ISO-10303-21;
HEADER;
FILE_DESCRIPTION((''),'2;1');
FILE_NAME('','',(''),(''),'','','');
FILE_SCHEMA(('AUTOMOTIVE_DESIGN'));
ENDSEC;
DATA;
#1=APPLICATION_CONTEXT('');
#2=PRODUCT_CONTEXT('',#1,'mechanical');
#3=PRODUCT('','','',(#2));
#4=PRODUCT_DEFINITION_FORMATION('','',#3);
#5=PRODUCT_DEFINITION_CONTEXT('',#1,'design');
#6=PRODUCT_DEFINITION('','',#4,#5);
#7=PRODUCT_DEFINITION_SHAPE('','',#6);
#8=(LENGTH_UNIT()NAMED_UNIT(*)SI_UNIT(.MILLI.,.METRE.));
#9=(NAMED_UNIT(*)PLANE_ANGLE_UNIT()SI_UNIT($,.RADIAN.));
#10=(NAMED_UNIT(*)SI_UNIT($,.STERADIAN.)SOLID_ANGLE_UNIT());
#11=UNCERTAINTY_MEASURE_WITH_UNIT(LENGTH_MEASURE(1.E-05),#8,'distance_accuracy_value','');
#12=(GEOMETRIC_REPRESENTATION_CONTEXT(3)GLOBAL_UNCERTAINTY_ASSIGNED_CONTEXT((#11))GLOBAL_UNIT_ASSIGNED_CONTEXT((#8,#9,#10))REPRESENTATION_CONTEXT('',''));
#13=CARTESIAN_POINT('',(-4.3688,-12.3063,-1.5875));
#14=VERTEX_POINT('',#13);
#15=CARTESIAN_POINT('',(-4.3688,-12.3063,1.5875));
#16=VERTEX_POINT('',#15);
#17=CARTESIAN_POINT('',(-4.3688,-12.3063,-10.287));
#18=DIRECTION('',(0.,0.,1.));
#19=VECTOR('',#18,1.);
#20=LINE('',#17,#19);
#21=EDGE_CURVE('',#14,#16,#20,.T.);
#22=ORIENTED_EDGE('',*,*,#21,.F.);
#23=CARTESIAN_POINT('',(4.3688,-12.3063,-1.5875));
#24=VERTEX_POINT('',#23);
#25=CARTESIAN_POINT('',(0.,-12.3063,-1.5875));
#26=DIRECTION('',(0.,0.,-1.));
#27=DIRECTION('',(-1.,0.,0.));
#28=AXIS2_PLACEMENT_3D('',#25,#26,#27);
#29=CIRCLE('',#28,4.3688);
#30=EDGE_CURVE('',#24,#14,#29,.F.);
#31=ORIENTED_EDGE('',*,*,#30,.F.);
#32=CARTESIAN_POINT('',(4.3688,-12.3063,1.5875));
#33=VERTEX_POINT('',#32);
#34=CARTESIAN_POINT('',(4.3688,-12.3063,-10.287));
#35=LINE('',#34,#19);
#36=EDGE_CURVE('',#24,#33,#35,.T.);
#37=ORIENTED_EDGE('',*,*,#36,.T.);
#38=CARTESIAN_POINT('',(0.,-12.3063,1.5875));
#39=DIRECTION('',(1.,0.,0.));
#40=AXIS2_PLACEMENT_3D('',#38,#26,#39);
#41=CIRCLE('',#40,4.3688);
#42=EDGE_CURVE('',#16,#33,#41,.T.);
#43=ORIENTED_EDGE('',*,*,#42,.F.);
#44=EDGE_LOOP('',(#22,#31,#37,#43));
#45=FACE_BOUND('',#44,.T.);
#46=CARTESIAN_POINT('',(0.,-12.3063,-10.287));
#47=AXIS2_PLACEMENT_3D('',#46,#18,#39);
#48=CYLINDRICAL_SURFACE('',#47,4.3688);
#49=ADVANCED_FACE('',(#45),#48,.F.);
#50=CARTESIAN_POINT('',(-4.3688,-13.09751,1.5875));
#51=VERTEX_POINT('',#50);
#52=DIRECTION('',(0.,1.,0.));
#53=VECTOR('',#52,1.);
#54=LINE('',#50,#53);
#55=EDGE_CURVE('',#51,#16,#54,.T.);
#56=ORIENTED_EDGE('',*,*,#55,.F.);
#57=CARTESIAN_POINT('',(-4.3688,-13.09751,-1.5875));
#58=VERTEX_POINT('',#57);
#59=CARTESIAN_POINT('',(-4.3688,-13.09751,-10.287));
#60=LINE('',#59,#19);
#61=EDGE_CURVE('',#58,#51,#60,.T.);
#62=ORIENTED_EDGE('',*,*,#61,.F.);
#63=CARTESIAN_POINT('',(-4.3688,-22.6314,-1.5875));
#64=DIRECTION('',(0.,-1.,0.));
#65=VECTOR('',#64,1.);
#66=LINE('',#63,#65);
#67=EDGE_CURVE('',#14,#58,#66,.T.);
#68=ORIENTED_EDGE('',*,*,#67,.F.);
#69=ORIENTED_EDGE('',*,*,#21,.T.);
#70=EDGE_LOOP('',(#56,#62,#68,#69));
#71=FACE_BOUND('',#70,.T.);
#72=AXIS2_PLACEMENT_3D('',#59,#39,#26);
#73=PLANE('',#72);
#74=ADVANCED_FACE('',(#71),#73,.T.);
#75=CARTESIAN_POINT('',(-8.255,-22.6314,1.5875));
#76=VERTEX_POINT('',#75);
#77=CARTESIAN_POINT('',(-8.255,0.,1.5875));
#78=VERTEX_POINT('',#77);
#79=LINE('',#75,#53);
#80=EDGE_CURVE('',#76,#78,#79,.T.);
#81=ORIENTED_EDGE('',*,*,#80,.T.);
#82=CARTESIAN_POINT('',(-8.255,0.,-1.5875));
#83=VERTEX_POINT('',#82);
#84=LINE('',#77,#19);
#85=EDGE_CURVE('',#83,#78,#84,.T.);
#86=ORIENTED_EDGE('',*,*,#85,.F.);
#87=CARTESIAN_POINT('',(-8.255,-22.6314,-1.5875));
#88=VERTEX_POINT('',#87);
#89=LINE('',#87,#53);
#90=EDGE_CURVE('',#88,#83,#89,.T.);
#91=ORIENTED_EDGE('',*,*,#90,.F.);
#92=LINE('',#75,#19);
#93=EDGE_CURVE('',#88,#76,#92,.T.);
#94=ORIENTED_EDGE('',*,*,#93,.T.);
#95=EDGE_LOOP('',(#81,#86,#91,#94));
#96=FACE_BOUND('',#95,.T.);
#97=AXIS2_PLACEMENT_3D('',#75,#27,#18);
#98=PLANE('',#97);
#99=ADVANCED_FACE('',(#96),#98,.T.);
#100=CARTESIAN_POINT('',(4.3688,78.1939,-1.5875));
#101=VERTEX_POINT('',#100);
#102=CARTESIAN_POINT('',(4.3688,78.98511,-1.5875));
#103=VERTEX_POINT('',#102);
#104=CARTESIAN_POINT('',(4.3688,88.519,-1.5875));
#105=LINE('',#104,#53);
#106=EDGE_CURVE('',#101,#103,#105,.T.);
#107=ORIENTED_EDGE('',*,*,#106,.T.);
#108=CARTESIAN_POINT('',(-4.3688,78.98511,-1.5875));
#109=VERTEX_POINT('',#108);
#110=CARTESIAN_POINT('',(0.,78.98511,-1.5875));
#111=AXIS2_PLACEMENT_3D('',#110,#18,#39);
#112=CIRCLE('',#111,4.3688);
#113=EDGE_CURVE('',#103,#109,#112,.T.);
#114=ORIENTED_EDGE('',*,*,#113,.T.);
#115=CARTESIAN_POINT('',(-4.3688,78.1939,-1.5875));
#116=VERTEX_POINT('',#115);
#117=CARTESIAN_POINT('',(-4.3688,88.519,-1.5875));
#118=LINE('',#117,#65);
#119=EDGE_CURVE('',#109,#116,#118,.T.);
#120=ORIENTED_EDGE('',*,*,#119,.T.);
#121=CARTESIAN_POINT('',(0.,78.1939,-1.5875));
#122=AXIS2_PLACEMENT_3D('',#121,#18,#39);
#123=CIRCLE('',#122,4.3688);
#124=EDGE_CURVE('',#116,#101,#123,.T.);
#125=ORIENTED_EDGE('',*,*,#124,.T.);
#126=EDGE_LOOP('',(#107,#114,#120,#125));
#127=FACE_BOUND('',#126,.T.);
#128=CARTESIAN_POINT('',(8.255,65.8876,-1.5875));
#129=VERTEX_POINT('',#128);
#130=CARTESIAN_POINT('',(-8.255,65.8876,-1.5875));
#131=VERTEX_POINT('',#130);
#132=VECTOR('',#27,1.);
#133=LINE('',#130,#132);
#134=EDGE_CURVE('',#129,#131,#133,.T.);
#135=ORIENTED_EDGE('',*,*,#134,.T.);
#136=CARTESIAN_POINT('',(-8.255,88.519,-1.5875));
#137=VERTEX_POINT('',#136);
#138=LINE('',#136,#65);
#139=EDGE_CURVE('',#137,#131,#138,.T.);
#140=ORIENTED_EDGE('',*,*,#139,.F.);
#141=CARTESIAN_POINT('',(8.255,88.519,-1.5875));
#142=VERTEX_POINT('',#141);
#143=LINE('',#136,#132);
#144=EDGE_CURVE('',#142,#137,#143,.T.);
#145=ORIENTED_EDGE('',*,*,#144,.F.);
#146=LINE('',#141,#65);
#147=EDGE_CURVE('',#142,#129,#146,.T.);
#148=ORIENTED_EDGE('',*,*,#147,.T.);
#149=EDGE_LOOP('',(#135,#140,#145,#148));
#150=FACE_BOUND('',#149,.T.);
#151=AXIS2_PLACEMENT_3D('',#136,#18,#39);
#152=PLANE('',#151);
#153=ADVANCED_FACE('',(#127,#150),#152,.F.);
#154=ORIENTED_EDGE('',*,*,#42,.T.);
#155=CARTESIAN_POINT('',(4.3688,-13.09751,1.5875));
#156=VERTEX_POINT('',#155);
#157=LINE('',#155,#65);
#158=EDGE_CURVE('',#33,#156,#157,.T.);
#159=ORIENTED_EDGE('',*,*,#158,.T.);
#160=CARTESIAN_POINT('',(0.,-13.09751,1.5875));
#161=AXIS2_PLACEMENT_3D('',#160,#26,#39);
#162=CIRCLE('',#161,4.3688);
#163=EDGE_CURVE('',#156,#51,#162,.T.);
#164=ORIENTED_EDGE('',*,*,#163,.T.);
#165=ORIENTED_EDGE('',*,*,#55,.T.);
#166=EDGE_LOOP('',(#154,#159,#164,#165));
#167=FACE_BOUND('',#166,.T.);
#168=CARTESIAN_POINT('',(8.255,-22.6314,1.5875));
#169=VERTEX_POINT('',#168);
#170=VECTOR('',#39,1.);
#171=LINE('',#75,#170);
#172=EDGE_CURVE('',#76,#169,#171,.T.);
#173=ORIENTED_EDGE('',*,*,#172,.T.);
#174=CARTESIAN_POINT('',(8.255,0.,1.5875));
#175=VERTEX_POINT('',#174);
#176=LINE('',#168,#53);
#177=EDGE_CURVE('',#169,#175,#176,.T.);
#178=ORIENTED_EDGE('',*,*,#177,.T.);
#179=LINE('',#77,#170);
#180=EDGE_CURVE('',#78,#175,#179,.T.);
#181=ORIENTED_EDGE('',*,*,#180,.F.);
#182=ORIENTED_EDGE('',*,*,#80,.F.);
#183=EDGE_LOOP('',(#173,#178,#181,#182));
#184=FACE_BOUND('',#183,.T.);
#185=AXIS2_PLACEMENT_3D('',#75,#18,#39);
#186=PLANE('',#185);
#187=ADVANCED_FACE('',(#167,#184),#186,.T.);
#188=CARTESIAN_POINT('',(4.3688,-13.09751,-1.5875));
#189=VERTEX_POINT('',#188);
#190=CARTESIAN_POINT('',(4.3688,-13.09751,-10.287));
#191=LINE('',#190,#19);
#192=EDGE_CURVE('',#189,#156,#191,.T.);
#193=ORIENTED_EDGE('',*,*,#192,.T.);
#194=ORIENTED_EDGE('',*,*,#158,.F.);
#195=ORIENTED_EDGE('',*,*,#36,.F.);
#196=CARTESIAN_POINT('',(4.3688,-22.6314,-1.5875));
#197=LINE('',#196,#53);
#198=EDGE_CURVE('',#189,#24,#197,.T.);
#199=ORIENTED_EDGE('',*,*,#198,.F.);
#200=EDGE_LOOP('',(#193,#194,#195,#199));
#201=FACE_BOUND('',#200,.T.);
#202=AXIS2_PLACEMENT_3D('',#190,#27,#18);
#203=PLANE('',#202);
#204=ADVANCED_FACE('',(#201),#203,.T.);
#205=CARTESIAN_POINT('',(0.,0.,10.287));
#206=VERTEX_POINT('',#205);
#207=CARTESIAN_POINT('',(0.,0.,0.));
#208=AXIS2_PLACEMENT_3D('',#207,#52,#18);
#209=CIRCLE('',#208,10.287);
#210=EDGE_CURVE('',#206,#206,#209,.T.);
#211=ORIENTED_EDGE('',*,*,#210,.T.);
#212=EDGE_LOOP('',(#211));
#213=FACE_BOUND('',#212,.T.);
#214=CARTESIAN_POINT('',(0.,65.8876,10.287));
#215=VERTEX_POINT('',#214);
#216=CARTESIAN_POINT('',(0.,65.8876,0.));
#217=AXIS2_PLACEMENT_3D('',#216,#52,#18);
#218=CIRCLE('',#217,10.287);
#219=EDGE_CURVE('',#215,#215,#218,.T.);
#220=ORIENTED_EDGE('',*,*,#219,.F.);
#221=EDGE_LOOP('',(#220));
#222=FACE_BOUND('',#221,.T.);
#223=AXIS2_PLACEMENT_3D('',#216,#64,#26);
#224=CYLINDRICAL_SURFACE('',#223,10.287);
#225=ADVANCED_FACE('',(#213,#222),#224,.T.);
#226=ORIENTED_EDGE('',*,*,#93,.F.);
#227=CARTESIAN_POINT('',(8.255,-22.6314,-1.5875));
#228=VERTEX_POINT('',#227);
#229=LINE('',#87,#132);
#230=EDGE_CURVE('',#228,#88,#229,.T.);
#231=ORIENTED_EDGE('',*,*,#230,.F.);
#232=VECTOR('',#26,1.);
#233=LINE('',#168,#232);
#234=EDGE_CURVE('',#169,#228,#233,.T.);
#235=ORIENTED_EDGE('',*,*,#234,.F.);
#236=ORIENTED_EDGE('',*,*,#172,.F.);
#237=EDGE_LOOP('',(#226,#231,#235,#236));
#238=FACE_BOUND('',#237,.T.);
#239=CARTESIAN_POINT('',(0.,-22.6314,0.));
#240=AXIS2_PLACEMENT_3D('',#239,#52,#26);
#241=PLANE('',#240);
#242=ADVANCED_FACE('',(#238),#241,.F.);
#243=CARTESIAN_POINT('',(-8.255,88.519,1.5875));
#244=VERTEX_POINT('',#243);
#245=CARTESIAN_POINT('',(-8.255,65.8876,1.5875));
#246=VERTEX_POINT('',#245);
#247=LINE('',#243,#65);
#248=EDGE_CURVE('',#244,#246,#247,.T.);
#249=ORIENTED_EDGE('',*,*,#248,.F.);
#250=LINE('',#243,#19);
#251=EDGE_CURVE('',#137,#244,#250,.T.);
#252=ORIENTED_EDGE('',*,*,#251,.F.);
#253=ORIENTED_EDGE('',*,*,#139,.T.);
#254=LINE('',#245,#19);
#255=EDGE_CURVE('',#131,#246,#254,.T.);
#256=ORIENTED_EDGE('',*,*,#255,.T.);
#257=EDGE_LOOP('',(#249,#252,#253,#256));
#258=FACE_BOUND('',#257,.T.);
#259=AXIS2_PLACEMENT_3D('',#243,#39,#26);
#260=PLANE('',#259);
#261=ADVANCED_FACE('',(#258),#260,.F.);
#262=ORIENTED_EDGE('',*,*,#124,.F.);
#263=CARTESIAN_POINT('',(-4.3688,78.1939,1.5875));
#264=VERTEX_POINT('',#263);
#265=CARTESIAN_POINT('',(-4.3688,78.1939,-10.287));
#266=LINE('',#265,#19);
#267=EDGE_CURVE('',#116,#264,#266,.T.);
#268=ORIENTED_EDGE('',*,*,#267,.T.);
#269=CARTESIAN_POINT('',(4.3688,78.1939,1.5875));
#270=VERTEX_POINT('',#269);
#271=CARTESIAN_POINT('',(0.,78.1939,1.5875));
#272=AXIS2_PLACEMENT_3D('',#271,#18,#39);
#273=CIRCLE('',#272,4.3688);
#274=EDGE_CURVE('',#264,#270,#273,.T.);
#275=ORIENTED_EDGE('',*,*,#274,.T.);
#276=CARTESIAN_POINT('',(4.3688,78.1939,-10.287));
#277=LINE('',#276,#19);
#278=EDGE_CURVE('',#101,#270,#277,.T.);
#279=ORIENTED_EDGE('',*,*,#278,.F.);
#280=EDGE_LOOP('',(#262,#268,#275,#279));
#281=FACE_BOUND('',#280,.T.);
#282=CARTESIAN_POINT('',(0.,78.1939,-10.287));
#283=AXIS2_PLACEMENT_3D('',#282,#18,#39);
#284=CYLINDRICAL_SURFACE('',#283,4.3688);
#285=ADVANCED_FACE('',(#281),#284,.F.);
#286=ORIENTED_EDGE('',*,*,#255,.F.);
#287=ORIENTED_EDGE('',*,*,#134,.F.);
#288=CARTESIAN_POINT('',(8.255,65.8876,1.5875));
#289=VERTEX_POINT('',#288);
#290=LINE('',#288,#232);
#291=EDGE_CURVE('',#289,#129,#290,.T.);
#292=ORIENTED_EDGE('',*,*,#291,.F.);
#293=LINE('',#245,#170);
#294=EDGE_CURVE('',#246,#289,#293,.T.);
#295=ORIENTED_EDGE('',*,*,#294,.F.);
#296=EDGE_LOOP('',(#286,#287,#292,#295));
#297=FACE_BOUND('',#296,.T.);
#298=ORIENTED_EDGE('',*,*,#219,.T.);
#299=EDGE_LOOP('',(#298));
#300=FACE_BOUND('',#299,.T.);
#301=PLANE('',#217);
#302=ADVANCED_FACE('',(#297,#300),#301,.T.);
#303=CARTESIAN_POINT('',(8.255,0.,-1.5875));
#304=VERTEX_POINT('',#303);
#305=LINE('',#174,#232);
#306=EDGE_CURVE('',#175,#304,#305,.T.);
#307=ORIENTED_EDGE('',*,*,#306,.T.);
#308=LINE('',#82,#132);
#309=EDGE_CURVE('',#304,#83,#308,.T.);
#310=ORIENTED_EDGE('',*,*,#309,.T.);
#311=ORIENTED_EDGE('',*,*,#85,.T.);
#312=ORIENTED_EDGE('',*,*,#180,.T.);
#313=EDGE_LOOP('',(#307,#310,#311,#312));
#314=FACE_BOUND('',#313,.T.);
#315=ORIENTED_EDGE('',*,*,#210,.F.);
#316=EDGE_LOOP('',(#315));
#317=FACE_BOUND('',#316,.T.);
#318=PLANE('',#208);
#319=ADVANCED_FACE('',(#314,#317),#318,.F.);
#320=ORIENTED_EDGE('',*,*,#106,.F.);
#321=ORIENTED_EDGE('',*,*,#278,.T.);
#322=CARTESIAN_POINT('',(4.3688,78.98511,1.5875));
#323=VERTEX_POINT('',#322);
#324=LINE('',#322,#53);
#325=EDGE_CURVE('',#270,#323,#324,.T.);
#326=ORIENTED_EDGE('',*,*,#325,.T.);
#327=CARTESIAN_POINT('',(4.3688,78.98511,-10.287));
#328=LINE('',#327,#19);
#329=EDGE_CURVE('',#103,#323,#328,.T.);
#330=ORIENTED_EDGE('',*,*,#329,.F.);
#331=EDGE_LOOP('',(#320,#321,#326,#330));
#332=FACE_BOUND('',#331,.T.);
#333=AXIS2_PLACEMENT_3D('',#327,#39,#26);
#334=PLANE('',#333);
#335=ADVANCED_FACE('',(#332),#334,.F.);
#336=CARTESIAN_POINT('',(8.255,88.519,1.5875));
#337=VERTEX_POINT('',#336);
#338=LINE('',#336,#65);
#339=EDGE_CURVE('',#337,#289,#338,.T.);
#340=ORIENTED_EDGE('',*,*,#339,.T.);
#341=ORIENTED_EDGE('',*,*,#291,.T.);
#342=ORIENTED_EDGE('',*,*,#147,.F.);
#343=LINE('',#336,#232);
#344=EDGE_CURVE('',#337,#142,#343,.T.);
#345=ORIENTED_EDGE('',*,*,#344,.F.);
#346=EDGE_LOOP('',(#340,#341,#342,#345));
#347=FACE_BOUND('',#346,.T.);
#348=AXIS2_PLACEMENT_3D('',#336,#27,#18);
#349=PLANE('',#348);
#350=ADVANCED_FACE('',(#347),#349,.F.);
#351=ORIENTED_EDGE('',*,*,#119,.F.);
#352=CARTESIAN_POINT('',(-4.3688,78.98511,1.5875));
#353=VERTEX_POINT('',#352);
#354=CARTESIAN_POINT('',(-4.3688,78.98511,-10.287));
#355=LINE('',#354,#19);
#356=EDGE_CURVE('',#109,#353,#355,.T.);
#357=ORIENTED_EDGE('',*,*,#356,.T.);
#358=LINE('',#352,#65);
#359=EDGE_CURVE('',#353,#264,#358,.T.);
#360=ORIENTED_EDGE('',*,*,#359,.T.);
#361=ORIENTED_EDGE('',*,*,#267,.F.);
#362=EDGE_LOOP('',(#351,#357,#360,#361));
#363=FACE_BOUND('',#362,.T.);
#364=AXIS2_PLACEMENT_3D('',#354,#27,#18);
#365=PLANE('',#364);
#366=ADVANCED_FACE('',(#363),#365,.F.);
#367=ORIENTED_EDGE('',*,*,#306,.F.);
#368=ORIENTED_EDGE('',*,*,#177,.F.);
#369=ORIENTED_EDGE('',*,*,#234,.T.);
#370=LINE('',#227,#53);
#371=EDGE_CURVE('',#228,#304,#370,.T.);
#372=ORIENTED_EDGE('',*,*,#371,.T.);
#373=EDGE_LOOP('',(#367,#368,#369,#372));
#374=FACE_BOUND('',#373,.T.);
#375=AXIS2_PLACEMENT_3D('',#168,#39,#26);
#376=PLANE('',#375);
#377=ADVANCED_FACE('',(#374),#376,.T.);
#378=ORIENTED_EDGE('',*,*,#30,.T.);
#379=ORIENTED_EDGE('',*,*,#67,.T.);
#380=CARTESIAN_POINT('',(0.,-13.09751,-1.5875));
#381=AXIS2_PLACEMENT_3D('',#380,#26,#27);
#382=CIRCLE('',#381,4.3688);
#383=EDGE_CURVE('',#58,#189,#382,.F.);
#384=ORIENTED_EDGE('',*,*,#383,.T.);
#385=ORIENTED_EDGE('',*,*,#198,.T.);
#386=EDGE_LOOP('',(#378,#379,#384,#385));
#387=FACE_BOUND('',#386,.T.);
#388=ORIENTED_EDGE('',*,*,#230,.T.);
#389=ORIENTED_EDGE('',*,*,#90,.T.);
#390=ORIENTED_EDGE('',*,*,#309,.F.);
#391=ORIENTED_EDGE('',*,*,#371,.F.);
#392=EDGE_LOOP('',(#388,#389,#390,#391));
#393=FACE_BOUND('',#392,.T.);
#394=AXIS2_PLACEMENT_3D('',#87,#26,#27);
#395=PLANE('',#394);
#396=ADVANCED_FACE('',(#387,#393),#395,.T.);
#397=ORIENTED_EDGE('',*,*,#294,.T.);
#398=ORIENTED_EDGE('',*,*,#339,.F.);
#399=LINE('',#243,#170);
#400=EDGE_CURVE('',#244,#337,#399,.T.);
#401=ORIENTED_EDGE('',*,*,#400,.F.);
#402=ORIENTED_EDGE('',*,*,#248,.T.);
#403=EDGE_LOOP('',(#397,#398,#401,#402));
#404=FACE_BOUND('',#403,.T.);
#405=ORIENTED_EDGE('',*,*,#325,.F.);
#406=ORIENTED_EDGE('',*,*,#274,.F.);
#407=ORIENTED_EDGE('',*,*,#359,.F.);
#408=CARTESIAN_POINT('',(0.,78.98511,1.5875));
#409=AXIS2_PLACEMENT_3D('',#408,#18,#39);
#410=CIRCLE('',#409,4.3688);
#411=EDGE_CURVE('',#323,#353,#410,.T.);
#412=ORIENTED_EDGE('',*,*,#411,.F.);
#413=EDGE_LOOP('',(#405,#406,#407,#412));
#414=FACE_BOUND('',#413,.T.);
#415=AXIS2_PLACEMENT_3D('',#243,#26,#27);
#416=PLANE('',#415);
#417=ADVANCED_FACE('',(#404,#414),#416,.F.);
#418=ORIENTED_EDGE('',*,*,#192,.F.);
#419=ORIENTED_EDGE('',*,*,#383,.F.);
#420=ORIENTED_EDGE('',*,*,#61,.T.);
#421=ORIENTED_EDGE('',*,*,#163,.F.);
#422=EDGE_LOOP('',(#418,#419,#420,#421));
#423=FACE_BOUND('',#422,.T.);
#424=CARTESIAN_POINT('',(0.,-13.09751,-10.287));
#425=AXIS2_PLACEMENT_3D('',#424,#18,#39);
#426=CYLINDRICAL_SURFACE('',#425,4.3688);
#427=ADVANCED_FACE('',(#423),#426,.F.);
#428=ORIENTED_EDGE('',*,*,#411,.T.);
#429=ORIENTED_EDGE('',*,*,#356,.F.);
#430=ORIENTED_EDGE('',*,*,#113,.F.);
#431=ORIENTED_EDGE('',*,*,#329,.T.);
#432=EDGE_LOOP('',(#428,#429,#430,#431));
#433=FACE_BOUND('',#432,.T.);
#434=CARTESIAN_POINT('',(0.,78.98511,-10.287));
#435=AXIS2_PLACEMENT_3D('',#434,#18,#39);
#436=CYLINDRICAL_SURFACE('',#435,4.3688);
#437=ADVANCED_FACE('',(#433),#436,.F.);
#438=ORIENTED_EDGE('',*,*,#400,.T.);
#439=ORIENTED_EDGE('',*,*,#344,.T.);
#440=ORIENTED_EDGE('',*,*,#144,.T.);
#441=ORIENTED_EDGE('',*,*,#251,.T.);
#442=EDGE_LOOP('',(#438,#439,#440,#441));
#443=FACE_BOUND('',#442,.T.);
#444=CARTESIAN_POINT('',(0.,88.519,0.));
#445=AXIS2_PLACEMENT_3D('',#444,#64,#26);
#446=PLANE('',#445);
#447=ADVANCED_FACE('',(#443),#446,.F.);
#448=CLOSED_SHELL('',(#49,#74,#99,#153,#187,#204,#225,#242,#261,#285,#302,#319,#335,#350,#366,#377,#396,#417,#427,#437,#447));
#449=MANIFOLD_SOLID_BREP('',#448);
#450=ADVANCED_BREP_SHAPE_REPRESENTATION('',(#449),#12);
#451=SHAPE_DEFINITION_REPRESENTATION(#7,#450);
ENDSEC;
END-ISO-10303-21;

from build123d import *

# Parameters (mm, degrees)
SKETCH1_R           = 10.287
BOSS_EXTRUDE1_DEPTH = 65.8876
SKETCH2_W           = 16.51
SKETCH2_H           = 3.175
BOSS_EXTRUDE2_DEPTH = 22.6314
CUT_EXTRUDE1_DEPTH  = 90.902388624


with BuildPart() as part:
    # Sketch1 → Boss-Extrude1 (new body)
    with BuildSketch(Plane(origin=(0, 0, 0), x_dir=(1, 0, 0), z_dir=(0, 1, 0))):
        with Locations(Location((0, 0, 0), (0, 0, 270))):
            Circle(SKETCH1_R)
    extrude(amount=BOSS_EXTRUDE1_DEPTH)

    # Sketch2 → Boss-Extrude2 (add)
    with BuildSketch(Plane(origin=(0, 65.8876, 0), x_dir=(1, 0, 0), z_dir=(0, 1, 0))):
        Rectangle(SKETCH2_W, SKETCH2_H)
    boss_extrude2 = extrude(amount=BOSS_EXTRUDE2_DEPTH)

    # Sketch3 → Cut-Extrude1 (cut, through all)
    with BuildSketch(Plane.XY.offset(1.5875)):
        with BuildLine():
            Line((-4.3688, 78.98511), (-4.3688, 78.1939))
            ThreePointArc((-4.3688, 78.1939), (0, 73.8251), (4.3688, 78.1939))
            Line((4.3688, 78.1939), (4.3688, 78.98511))
            ThreePointArc((4.3688, 78.98511), (0, 83.35391), (-4.3688, 78.98511))
        make_face()
    cut_extrude1 = extrude(amount=-CUT_EXTRUDE1_DEPTH, mode=Mode.SUBTRACT)

    # Mirror2: Boss-Extrude2, Cut-Extrude1 across plane
    add(boss_extrude2.mirror(Plane.ZX.offset(32.9438)))
    add(cut_extrude1.mirror(Plane.ZX.offset(32.9438)), mode=Mode.SUBTRACT)


solid = part.part
